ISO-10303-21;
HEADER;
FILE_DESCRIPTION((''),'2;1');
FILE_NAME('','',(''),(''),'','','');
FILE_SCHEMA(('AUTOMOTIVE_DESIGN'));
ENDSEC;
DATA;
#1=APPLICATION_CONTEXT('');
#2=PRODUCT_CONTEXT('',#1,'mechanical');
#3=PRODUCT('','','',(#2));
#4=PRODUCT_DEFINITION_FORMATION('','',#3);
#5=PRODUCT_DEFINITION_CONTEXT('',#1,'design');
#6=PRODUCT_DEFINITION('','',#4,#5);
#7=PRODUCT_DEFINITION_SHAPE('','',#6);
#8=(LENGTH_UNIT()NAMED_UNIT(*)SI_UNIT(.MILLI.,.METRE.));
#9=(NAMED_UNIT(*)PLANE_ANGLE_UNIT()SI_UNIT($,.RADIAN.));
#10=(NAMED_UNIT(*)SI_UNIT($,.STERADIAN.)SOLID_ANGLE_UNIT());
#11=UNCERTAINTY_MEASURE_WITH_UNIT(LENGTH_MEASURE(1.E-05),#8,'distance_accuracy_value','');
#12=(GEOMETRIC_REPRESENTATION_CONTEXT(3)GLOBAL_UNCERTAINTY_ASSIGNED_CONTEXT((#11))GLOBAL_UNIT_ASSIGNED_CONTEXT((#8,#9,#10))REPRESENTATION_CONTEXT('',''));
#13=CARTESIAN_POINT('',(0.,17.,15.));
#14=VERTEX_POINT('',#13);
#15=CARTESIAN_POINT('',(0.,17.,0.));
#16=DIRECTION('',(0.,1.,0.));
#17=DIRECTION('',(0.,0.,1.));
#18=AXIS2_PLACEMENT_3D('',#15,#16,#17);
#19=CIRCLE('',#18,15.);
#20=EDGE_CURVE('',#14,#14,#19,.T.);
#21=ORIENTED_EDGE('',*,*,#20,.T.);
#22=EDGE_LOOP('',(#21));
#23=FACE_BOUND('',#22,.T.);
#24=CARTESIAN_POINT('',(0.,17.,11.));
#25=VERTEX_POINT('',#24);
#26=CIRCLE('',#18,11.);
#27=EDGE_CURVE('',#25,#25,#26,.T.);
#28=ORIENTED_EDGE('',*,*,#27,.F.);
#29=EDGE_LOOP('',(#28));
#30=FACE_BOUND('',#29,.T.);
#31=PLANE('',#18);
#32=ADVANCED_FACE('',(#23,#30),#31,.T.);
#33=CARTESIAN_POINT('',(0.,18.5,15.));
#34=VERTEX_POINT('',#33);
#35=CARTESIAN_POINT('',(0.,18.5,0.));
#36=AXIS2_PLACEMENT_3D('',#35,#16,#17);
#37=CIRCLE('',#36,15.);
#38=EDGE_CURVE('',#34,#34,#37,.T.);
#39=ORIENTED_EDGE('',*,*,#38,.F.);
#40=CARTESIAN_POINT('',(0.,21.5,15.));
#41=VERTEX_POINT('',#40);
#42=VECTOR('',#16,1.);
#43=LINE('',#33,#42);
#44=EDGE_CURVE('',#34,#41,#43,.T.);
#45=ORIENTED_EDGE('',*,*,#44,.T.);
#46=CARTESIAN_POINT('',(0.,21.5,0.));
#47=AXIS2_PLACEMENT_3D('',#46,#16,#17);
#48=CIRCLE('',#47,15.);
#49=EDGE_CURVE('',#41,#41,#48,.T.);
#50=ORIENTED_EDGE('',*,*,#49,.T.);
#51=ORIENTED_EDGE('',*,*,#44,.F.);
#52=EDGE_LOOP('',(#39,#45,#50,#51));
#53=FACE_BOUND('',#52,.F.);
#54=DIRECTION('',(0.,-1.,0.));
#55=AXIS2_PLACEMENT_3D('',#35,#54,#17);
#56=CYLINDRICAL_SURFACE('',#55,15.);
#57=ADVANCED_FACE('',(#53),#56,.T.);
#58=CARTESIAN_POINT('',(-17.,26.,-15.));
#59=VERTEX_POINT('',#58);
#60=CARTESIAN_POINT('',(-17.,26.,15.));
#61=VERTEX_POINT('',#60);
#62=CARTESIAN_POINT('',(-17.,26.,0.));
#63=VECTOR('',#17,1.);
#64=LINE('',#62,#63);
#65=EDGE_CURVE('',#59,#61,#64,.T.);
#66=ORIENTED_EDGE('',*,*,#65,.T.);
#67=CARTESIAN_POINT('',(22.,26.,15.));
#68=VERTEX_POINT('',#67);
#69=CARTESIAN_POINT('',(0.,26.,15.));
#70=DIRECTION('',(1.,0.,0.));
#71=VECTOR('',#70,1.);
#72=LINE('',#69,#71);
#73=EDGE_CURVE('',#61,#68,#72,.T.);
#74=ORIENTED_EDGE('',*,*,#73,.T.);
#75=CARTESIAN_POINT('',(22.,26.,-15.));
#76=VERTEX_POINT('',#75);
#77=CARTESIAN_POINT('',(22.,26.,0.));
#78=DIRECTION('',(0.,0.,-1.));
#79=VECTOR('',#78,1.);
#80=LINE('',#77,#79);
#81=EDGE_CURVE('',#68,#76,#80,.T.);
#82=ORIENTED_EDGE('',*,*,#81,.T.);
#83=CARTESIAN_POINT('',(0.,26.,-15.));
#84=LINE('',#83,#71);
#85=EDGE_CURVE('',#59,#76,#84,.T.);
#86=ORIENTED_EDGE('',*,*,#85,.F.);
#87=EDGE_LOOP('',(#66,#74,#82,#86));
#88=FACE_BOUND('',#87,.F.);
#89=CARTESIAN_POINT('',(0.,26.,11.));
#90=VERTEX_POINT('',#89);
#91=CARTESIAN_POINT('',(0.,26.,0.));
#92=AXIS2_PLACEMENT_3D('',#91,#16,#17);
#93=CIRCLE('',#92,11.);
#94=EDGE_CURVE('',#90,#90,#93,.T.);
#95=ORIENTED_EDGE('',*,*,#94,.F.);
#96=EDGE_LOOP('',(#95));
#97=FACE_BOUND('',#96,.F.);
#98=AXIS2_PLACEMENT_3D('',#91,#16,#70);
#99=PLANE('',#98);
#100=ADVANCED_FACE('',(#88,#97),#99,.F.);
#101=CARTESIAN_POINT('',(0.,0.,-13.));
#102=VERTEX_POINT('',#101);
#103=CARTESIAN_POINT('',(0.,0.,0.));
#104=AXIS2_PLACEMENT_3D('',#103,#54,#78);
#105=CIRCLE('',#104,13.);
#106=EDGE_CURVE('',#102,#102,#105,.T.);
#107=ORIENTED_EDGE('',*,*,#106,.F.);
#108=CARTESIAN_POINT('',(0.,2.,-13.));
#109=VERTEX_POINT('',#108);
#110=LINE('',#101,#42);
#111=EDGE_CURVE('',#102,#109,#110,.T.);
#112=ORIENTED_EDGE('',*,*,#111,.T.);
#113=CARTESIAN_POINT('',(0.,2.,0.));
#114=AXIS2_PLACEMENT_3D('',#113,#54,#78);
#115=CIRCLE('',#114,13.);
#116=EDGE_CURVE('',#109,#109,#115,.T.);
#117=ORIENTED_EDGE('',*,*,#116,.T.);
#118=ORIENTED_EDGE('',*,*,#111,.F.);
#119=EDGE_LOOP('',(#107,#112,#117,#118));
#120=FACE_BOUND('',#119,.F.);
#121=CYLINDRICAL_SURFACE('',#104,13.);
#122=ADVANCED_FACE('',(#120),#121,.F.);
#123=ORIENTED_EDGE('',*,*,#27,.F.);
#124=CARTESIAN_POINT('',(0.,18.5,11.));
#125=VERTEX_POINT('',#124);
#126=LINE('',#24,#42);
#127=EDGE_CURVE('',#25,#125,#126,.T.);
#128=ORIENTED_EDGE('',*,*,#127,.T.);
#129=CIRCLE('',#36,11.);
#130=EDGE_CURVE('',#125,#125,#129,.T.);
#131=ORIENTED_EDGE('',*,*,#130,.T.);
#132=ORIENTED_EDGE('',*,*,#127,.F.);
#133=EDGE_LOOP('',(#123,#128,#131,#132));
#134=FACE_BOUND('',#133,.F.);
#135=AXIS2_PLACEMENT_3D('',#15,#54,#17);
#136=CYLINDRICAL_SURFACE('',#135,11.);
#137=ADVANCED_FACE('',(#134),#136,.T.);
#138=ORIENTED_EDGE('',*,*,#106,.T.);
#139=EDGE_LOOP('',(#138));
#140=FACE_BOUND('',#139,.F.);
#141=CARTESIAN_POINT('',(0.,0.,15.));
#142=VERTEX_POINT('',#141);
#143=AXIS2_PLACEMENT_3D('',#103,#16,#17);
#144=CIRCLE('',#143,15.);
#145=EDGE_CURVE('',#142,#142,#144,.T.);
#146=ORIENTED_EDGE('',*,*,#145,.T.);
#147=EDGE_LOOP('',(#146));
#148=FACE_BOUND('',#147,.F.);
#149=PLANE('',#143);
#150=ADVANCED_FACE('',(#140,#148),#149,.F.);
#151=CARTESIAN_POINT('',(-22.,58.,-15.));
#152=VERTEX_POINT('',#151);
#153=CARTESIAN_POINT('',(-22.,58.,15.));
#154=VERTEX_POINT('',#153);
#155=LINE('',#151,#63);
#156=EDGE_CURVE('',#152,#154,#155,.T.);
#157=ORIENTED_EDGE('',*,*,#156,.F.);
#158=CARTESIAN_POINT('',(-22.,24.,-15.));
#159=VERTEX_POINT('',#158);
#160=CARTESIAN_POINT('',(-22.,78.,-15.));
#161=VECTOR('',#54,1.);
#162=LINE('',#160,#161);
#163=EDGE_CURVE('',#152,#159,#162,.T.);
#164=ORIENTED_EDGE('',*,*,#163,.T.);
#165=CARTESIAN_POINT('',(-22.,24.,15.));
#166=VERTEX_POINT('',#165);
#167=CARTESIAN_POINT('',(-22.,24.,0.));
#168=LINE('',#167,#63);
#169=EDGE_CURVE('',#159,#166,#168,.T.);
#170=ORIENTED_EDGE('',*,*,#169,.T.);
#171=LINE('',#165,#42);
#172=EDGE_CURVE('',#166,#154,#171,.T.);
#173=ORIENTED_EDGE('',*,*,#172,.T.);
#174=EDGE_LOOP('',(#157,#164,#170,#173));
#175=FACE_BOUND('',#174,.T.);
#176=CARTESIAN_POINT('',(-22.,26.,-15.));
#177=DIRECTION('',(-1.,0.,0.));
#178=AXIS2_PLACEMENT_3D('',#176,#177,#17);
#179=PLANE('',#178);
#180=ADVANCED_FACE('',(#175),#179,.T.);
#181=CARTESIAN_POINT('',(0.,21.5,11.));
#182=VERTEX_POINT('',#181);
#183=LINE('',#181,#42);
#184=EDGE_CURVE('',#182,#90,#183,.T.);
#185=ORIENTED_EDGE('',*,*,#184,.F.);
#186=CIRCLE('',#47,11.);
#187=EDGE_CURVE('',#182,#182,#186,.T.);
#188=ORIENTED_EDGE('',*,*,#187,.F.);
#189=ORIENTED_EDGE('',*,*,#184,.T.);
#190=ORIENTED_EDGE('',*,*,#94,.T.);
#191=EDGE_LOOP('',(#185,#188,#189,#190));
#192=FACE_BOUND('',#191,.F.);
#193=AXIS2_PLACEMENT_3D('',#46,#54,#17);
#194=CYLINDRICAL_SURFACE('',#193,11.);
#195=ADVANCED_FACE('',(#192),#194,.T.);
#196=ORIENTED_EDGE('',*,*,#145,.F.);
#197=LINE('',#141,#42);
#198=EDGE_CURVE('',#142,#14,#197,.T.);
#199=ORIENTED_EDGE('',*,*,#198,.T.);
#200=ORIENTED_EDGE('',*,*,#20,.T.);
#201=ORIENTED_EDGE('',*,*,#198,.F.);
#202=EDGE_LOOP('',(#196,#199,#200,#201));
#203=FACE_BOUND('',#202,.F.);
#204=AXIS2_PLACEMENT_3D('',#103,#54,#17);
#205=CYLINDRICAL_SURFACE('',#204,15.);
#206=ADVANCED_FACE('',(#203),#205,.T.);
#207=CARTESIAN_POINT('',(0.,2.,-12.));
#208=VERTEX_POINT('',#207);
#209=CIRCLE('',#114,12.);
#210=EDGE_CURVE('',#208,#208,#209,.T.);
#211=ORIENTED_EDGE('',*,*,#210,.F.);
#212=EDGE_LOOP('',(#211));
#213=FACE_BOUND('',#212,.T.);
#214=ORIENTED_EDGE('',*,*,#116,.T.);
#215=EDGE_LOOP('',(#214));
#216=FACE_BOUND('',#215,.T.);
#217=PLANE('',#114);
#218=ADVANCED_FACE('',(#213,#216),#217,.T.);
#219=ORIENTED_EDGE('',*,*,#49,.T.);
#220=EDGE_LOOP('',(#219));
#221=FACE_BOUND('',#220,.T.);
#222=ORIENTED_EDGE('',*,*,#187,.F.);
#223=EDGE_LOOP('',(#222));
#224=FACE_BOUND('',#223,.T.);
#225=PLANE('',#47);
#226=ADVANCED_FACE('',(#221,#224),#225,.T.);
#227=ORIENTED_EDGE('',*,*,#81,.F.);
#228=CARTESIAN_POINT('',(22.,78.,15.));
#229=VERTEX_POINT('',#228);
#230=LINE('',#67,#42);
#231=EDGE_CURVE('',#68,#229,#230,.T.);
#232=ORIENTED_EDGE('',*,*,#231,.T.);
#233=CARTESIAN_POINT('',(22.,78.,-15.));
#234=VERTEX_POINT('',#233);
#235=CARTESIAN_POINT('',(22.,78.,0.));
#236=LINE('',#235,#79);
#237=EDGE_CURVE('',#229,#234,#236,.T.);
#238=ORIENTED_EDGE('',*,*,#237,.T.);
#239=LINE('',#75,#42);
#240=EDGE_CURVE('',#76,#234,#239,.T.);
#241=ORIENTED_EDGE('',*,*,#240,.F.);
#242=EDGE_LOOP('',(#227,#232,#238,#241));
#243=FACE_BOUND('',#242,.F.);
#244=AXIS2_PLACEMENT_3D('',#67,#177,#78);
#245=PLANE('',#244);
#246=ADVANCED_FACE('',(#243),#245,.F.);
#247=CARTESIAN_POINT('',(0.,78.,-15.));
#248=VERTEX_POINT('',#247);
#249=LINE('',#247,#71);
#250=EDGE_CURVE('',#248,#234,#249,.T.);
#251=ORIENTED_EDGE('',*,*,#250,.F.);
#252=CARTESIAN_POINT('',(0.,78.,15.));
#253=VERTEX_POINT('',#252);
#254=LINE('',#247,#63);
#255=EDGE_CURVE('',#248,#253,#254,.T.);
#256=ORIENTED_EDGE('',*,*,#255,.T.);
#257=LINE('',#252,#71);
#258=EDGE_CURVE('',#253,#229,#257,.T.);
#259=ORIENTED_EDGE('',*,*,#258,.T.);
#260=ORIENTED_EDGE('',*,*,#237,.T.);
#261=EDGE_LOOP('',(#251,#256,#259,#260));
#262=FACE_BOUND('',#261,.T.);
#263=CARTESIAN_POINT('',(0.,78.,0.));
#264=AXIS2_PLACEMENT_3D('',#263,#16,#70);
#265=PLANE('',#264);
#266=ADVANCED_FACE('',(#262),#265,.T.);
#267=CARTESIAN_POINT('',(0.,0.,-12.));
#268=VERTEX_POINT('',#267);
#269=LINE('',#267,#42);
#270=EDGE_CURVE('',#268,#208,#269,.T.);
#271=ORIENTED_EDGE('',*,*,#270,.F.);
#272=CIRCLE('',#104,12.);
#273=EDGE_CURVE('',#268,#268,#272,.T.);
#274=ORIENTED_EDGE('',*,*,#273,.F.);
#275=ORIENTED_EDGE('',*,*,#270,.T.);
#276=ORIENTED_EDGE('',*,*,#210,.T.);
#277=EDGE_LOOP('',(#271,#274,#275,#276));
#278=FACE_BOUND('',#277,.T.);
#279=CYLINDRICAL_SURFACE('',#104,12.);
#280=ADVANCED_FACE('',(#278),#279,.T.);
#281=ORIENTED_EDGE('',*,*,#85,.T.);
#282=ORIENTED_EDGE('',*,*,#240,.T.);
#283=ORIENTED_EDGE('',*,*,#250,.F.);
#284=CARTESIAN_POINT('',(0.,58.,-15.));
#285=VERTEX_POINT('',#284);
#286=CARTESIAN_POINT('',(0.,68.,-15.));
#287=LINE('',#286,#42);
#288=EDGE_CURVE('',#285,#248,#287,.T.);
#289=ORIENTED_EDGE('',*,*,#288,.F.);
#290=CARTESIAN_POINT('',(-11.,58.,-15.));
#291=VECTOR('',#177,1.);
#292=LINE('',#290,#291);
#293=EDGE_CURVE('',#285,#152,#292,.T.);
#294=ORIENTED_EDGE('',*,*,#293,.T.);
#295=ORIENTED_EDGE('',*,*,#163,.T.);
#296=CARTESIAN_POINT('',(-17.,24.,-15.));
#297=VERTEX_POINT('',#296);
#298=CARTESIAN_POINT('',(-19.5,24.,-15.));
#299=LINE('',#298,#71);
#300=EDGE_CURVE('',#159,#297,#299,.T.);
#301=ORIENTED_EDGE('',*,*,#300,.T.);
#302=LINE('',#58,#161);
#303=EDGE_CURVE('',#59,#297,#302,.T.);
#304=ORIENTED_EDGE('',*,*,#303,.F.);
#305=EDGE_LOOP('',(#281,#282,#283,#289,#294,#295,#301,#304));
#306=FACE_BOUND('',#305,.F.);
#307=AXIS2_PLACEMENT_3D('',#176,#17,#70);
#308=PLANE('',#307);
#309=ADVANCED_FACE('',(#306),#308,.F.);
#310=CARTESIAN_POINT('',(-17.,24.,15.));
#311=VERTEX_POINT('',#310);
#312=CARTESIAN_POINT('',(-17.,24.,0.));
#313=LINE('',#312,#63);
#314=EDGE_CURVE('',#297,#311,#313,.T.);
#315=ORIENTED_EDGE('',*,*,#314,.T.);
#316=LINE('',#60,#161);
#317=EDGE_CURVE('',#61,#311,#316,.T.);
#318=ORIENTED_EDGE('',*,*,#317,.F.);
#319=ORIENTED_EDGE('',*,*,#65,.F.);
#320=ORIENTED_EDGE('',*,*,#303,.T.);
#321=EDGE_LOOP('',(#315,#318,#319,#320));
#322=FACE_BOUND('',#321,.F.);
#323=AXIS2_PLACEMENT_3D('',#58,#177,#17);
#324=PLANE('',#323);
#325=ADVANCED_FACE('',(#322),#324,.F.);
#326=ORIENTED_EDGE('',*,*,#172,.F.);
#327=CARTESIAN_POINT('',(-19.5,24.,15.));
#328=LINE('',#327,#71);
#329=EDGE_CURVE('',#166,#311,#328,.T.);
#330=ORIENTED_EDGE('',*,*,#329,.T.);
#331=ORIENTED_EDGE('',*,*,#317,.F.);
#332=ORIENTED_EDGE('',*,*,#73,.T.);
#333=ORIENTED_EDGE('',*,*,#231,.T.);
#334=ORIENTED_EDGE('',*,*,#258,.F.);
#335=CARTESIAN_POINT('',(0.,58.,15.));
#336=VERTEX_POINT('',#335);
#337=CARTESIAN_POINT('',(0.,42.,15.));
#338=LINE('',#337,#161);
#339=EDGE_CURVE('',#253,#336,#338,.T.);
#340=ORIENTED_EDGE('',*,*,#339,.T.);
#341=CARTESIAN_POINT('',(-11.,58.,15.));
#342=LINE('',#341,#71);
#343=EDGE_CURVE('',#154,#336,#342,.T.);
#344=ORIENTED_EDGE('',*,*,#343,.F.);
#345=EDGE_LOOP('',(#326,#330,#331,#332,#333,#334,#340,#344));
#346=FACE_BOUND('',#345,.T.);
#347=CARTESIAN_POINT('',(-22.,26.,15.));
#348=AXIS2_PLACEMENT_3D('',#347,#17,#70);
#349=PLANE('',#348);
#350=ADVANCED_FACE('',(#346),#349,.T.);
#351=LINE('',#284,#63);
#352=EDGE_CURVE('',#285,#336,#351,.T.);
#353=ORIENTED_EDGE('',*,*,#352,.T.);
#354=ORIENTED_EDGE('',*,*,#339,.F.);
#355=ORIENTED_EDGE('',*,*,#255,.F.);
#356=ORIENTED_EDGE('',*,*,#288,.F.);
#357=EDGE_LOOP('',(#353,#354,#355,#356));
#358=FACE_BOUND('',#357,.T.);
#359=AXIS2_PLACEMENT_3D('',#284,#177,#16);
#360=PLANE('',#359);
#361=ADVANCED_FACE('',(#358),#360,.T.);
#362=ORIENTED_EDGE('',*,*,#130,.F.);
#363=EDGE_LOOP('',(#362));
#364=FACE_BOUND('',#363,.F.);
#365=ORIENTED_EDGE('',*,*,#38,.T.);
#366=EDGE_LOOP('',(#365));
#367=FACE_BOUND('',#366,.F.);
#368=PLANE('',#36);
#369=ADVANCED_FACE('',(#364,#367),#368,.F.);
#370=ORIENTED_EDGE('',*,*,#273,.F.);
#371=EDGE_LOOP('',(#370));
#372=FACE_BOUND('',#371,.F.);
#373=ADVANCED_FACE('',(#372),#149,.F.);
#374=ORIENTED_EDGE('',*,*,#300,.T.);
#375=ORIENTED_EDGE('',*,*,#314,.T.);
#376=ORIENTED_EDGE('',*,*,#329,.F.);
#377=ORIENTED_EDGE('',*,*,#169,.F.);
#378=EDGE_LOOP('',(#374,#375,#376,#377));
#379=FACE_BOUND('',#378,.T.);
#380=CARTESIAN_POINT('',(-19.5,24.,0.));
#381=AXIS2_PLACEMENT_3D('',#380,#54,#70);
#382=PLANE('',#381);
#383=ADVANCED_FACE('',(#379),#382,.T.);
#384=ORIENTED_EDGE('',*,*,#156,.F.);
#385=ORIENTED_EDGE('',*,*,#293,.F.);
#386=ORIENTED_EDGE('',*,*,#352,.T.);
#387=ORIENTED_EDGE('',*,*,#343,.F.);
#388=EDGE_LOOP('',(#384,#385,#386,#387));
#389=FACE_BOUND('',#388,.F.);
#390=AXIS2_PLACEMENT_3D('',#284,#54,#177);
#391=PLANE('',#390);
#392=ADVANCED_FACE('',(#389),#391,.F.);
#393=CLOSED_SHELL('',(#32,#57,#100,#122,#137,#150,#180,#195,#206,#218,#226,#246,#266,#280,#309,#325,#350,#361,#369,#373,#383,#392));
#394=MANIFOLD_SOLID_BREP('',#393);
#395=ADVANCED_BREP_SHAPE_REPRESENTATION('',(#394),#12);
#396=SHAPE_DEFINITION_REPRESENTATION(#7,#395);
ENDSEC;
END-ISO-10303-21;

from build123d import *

# Parameters (mm, degrees)
SKETCH_1_R          = 15
EXTRUDE_1_DEPTH     = 17
SKETCH_2_R          = 11
EXTRUDE_2_DEPTH     = 1.5
SKETCH_3_R          = 15
EXTRUDE_3_DEPTH     = 3
SKETCH_4_R          = 11
EXTRUDE_4_DEPTH     = 4.5
SKETCH_6_W          = 44
SKETCH_6_H          = 30
EXTRUDE_6_DEPTH     = 52
SKETCH_7_W          = 5
SKETCH_7_H          = 30
EXTRUDE_7_DEPTH     = 2
SKETCH_8_W          = 22
SKETCH_8_H          = 20
CUT_EXTRUDE_1_DEPTH = 87.417590802
SKETCH_9_R          = 13
SKETCH_9_R_2        = 12
CUT_EXTRUDE_2_DEPTH = 2


with BuildPart() as part:
    # 草圖1 → 伸長1 (new body)
    with BuildSketch(Plane(origin=(0, 0, 0), x_dir=(1, 0, 0), z_dir=(0, 1, 0))):
        with Locations(Location((0, 0, 0), (0, 0, 270))):
            Circle(SKETCH_1_R)
    extrude(amount=EXTRUDE_1_DEPTH)

    # 草圖2 → 伸長2 (add)
    with BuildSketch(Plane(origin=(0, 17, 0), x_dir=(1, 0, 0), z_dir=(0, 1, 0))):
        with Locations(Location((0, 0, 0), (0, 0, 270))):
            Circle(SKETCH_2_R)
    extrude(amount=EXTRUDE_2_DEPTH)

    # 草圖3 → 伸長3 (add)
    with BuildSketch(Plane(origin=(0, 18.5, 0), x_dir=(1, 0, 0), z_dir=(0, 1, 0))):
        with Locations(Location((0, 0, 0), (0, 0, 270))):
            Circle(SKETCH_3_R)
    extrude(amount=EXTRUDE_3_DEPTH)

    # 草圖4 → 伸長4 (add)
    with BuildSketch(Plane(origin=(0, 21.5, 0), x_dir=(1, 0, 0), z_dir=(0, 1, 0))):
        with Locations(Location((0, 0, 0), (0, 0, 270))):
            Circle(SKETCH_4_R)
    extrude(amount=EXTRUDE_4_DEPTH)

    # 草圖6 → 伸長6 (add)
    with BuildSketch(Plane(origin=(0, 26, 0), x_dir=(1, 0, 0), z_dir=(0, 1, 0))):
        Rectangle(SKETCH_6_W, SKETCH_6_H)
    extrude(amount=EXTRUDE_6_DEPTH)

    # 草圖7 → 伸長7 (add)
    with BuildSketch(Plane.XZ.offset(-26)):
        with Locations((-19.5, 0)):
            Rectangle(SKETCH_7_W, SKETCH_7_H)
    extrude(amount=EXTRUDE_7_DEPTH)

    # 草圖8 → 除料-伸長1 (cut, through all)
    with BuildSketch(Plane(origin=(0, 0, -15), x_dir=(-1, 0, 0), z_dir=(0, 0, -1))):
        with Locations((11, 68)):
            Rectangle(SKETCH_8_W, SKETCH_8_H)
    extrude(amount=-CUT_EXTRUDE_1_DEPTH, mode=Mode.SUBTRACT)

    # 草圖9 → 除料-伸長2 (cut)
    with BuildSketch(Plane.XZ):
        with Locations(Location((0, 0, 0), (0, 0, 270))):
            Circle(SKETCH_9_R)
        with Locations(Location((0, 0, 0), (0, 0, 270))):
            Circle(SKETCH_9_R_2, mode=Mode.SUBTRACT)
    extrude(amount=-CUT_EXTRUDE_2_DEPTH, mode=Mode.SUBTRACT)


solid = part.part
